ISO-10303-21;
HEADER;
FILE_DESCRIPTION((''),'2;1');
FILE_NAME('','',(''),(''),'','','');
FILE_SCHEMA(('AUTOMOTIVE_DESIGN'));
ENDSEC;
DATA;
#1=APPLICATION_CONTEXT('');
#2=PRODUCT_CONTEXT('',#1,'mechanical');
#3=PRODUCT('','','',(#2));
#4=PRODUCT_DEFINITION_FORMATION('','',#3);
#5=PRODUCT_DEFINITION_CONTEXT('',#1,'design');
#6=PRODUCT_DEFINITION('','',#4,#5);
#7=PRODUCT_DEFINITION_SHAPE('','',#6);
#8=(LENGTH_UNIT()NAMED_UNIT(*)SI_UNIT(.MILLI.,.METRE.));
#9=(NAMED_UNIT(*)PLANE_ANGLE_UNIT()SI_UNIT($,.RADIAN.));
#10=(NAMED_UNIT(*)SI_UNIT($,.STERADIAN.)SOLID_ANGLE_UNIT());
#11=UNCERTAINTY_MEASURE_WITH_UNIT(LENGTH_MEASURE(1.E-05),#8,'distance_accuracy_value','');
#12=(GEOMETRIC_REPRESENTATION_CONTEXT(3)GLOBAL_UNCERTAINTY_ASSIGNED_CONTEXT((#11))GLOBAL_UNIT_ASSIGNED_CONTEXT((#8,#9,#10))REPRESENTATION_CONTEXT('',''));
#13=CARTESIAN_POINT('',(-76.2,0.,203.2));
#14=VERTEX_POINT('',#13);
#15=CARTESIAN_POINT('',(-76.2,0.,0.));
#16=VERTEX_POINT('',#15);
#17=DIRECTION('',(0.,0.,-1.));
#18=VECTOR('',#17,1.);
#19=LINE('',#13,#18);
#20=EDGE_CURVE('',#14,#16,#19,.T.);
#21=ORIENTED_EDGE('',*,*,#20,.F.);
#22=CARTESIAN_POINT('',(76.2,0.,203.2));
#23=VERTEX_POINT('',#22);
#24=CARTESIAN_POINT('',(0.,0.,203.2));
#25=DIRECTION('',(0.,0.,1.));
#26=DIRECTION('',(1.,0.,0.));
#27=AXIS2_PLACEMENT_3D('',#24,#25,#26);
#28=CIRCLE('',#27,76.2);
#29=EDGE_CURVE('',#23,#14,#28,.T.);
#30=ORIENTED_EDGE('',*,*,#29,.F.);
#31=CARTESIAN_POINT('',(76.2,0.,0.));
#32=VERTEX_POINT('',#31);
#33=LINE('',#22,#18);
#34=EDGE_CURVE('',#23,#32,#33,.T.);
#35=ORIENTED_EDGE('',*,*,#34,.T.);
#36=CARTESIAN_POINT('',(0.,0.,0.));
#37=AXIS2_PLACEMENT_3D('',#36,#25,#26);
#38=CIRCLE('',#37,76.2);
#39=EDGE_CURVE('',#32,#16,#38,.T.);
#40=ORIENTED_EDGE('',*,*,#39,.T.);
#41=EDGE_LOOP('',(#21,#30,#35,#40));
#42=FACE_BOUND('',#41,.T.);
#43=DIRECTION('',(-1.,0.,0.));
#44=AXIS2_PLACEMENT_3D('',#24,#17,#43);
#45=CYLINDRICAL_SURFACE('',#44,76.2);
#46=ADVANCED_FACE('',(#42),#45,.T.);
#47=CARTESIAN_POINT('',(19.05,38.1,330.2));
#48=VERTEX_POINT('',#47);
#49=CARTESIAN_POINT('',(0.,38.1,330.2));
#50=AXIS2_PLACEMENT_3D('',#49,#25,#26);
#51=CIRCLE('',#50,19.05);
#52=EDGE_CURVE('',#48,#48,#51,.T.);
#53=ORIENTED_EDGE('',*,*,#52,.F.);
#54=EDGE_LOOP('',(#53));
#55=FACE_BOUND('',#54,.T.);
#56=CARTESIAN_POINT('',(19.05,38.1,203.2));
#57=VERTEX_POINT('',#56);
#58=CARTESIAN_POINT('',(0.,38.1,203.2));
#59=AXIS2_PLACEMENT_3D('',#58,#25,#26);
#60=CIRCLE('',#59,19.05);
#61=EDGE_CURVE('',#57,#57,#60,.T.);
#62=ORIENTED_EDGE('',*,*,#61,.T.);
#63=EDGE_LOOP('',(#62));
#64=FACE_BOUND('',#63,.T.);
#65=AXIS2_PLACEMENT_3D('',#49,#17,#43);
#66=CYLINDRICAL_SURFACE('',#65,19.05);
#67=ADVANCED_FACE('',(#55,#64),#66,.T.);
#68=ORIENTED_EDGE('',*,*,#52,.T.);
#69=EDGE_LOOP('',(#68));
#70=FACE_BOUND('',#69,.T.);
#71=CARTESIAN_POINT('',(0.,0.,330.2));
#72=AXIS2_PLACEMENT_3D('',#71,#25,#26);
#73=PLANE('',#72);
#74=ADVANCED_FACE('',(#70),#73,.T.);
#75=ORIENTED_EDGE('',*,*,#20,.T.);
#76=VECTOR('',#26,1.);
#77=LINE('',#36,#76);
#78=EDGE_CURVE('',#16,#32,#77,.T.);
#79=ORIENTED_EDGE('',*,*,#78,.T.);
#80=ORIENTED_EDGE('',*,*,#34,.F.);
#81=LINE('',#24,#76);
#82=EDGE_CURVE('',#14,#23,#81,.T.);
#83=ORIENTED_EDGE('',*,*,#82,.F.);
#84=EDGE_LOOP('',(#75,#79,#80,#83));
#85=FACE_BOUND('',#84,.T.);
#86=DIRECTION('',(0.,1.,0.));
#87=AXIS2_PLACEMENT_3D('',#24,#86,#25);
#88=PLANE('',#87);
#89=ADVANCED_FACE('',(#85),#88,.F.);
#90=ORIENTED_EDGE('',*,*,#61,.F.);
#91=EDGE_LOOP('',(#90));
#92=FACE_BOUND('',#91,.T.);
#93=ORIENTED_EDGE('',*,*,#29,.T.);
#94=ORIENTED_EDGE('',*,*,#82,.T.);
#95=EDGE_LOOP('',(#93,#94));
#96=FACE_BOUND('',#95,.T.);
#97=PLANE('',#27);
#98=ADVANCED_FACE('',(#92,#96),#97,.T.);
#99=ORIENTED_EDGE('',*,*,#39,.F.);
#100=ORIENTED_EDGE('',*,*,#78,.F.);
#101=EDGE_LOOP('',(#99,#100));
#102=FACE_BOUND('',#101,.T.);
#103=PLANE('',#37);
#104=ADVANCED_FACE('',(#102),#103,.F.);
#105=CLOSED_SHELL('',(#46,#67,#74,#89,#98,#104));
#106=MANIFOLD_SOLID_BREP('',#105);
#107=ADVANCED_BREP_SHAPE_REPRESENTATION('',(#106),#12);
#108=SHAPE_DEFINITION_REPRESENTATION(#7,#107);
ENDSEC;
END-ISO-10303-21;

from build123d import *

# Parameters (mm, degrees)
SALIENTE_EXTRUIR1_DEPTH = 203.2
CROQUIS2_R              = 19.05
SALIENTE_EXTRUIR2_DEPTH = 127


with BuildPart() as part:
    # Croquis1 → Saliente-Extruir1 (new body)
    with BuildSketch(Plane.XY):
        with BuildLine():
            Line((0, 0), (76.2, 0))
            ThreePointArc((76.2, 0), (0, 76.2), (-76.2, 0))
            Line((-76.2, 0), (0, 0))
        make_face()
    extrude(amount=SALIENTE_EXTRUIR1_DEPTH)

    # Croquis2 → Saliente-Extruir2 (add)
    with BuildSketch(Plane.XY.offset(203.2)):
        with Locations((0, 38.1)):
            Circle(CROQUIS2_R)
    extrude(amount=SALIENTE_EXTRUIR2_DEPTH)


solid = part.part
